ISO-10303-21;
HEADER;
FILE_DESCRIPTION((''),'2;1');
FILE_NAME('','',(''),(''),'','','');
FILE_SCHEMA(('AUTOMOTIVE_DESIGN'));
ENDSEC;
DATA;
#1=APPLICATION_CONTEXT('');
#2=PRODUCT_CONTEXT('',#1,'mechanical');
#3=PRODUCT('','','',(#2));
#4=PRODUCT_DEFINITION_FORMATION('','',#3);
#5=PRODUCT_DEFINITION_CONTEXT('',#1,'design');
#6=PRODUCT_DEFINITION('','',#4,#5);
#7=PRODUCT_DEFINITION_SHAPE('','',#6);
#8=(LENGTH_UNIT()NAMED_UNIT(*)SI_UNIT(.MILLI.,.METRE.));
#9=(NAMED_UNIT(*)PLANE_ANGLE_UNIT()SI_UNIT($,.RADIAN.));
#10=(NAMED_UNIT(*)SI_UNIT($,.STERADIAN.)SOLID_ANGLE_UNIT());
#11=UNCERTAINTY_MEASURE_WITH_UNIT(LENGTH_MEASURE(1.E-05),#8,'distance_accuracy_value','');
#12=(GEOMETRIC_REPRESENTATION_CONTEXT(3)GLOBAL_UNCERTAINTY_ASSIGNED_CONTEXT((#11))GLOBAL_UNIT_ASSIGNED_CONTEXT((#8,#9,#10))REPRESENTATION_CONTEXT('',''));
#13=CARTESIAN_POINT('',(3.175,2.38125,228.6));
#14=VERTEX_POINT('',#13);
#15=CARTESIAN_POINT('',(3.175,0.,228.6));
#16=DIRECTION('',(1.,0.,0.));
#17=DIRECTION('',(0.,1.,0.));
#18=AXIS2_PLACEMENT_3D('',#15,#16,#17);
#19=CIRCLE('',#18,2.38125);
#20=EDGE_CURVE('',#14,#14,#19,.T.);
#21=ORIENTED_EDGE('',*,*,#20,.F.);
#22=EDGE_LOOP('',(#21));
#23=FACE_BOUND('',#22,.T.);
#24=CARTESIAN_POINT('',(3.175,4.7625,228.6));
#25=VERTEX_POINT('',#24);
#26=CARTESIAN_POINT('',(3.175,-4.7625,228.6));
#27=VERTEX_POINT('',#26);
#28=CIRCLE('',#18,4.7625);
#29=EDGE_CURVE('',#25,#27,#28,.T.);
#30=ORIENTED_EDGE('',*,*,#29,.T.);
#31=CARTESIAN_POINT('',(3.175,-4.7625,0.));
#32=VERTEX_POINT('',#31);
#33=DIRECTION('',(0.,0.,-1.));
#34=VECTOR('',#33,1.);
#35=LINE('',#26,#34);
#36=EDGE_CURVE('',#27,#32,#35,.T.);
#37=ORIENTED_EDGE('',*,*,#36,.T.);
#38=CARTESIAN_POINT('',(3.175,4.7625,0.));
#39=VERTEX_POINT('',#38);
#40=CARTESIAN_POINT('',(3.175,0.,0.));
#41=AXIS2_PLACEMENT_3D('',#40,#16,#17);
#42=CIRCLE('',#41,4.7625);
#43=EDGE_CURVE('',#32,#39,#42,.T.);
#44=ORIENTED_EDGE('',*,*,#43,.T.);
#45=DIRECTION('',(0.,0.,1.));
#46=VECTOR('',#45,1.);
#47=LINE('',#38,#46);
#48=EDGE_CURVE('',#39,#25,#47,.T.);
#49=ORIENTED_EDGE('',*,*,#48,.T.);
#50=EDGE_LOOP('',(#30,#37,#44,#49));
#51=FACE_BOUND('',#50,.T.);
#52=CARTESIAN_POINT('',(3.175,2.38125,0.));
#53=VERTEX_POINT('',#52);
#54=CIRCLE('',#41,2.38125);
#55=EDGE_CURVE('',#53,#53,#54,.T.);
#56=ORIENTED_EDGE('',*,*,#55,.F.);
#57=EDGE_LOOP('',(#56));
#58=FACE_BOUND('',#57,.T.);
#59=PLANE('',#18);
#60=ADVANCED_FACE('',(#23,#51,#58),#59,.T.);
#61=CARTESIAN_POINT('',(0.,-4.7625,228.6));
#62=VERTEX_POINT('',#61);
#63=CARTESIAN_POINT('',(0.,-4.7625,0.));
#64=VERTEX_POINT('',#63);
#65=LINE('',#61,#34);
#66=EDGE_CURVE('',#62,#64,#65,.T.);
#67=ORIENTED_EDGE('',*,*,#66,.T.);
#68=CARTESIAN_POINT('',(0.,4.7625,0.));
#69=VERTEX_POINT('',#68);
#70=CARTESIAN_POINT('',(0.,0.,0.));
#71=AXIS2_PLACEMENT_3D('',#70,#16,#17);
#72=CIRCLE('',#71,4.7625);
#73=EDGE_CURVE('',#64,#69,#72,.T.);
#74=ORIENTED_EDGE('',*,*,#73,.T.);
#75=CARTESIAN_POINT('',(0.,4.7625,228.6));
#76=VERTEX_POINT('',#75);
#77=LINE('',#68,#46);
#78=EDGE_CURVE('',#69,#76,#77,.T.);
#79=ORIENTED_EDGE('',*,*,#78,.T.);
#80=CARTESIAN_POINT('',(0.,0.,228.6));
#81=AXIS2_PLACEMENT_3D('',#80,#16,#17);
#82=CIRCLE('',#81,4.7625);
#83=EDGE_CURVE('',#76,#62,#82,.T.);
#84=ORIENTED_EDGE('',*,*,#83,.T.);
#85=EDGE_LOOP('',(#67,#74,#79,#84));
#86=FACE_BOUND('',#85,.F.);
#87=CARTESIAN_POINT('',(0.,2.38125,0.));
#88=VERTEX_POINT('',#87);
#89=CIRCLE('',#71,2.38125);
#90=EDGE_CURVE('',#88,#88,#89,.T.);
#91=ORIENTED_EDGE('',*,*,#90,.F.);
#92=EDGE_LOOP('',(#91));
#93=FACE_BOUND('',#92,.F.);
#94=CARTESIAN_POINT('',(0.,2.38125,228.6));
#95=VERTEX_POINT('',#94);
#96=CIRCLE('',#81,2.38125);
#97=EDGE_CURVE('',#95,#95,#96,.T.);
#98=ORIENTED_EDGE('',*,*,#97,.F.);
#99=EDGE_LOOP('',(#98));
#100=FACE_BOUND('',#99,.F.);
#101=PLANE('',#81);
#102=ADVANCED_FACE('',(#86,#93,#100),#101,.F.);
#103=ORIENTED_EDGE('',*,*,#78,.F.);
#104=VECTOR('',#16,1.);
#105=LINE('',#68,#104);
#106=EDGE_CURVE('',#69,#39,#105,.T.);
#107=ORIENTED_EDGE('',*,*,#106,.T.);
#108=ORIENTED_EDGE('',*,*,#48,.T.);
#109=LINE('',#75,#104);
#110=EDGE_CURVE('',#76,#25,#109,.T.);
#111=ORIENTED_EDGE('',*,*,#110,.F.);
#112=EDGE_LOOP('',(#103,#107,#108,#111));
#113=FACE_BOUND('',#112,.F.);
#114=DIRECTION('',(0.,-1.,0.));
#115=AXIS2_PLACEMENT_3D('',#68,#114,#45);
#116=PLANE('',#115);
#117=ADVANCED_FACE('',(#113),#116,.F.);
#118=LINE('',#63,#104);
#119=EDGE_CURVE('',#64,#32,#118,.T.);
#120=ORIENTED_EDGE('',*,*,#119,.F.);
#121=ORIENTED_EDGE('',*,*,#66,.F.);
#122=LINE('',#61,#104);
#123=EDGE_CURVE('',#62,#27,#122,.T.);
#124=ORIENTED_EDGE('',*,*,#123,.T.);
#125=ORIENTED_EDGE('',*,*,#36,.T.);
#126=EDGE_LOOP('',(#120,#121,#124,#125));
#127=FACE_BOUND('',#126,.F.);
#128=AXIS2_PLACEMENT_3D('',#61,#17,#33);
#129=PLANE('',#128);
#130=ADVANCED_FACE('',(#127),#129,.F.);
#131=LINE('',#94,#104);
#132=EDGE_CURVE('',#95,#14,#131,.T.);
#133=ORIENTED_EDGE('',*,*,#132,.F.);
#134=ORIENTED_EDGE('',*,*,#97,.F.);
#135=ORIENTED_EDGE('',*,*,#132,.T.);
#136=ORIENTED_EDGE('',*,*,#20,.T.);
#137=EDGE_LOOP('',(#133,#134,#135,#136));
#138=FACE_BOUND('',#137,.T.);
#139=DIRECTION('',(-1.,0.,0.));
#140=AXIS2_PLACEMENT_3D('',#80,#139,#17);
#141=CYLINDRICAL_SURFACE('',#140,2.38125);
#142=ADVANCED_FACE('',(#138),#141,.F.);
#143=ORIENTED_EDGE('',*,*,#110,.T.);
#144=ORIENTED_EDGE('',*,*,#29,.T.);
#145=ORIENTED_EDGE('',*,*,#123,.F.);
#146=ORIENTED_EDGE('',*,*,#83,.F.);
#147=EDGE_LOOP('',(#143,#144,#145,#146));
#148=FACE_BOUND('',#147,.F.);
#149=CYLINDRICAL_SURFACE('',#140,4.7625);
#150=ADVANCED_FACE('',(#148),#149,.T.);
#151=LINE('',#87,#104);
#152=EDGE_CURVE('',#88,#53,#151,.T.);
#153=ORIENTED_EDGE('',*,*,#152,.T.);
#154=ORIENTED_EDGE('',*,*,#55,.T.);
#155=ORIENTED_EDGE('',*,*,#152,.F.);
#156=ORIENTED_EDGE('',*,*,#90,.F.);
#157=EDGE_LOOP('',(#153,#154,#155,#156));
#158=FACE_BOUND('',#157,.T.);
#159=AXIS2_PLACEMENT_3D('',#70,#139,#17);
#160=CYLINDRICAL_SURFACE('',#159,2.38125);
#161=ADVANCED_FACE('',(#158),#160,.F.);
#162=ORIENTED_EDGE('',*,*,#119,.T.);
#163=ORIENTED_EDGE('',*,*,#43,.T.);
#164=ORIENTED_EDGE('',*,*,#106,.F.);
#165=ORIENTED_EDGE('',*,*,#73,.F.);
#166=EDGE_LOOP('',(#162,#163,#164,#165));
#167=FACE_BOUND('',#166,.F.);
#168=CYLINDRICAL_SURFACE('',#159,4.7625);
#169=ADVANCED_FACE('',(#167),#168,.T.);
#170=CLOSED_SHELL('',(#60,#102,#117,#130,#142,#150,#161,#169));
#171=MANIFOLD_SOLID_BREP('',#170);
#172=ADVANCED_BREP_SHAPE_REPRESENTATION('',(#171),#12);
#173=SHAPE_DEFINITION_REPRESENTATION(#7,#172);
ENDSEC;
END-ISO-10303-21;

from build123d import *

# Parameters (mm, degrees)
F0_R     = 2.38125
F1_DEPTH = 3.175


with BuildPart() as f1:
    # F0 (on Right) → F1 (new body)
    with BuildSketch(Plane.YZ):
        with BuildLine():
            ThreePointArc((-4.7625, 228.6), (0, 223.8375), (4.7625, 228.6))
            ThreePointArc((4.7625, 228.6), (0, 233.3625), (-4.7625, 228.6))
        make_face()
        with Locations((0, 228.6)):
            Circle(F0_R, mode=Mode.SUBTRACT)
        with BuildLine():
            Line((4.7625, 0), (4.7625, 228.6))
            ThreePointArc((4.7625, 228.6), (0, 223.8375), (-4.7625, 228.6))
            Line((-4.7625, 228.6), (-4.7625, 0))
            ThreePointArc((-4.7625, 0), (0, 4.7625), (4.7625, 0))
        make_face()
        with BuildLine():
            ThreePointArc((-4.7625, 0), (0, -4.7625), (4.7625, 0))
            ThreePointArc((4.7625, 0), (0, 4.7625), (-4.7625, 0))
        make_face()
        Circle(F0_R, mode=Mode.SUBTRACT)
    extrude(amount=F1_DEPTH)


solid = f1.part
